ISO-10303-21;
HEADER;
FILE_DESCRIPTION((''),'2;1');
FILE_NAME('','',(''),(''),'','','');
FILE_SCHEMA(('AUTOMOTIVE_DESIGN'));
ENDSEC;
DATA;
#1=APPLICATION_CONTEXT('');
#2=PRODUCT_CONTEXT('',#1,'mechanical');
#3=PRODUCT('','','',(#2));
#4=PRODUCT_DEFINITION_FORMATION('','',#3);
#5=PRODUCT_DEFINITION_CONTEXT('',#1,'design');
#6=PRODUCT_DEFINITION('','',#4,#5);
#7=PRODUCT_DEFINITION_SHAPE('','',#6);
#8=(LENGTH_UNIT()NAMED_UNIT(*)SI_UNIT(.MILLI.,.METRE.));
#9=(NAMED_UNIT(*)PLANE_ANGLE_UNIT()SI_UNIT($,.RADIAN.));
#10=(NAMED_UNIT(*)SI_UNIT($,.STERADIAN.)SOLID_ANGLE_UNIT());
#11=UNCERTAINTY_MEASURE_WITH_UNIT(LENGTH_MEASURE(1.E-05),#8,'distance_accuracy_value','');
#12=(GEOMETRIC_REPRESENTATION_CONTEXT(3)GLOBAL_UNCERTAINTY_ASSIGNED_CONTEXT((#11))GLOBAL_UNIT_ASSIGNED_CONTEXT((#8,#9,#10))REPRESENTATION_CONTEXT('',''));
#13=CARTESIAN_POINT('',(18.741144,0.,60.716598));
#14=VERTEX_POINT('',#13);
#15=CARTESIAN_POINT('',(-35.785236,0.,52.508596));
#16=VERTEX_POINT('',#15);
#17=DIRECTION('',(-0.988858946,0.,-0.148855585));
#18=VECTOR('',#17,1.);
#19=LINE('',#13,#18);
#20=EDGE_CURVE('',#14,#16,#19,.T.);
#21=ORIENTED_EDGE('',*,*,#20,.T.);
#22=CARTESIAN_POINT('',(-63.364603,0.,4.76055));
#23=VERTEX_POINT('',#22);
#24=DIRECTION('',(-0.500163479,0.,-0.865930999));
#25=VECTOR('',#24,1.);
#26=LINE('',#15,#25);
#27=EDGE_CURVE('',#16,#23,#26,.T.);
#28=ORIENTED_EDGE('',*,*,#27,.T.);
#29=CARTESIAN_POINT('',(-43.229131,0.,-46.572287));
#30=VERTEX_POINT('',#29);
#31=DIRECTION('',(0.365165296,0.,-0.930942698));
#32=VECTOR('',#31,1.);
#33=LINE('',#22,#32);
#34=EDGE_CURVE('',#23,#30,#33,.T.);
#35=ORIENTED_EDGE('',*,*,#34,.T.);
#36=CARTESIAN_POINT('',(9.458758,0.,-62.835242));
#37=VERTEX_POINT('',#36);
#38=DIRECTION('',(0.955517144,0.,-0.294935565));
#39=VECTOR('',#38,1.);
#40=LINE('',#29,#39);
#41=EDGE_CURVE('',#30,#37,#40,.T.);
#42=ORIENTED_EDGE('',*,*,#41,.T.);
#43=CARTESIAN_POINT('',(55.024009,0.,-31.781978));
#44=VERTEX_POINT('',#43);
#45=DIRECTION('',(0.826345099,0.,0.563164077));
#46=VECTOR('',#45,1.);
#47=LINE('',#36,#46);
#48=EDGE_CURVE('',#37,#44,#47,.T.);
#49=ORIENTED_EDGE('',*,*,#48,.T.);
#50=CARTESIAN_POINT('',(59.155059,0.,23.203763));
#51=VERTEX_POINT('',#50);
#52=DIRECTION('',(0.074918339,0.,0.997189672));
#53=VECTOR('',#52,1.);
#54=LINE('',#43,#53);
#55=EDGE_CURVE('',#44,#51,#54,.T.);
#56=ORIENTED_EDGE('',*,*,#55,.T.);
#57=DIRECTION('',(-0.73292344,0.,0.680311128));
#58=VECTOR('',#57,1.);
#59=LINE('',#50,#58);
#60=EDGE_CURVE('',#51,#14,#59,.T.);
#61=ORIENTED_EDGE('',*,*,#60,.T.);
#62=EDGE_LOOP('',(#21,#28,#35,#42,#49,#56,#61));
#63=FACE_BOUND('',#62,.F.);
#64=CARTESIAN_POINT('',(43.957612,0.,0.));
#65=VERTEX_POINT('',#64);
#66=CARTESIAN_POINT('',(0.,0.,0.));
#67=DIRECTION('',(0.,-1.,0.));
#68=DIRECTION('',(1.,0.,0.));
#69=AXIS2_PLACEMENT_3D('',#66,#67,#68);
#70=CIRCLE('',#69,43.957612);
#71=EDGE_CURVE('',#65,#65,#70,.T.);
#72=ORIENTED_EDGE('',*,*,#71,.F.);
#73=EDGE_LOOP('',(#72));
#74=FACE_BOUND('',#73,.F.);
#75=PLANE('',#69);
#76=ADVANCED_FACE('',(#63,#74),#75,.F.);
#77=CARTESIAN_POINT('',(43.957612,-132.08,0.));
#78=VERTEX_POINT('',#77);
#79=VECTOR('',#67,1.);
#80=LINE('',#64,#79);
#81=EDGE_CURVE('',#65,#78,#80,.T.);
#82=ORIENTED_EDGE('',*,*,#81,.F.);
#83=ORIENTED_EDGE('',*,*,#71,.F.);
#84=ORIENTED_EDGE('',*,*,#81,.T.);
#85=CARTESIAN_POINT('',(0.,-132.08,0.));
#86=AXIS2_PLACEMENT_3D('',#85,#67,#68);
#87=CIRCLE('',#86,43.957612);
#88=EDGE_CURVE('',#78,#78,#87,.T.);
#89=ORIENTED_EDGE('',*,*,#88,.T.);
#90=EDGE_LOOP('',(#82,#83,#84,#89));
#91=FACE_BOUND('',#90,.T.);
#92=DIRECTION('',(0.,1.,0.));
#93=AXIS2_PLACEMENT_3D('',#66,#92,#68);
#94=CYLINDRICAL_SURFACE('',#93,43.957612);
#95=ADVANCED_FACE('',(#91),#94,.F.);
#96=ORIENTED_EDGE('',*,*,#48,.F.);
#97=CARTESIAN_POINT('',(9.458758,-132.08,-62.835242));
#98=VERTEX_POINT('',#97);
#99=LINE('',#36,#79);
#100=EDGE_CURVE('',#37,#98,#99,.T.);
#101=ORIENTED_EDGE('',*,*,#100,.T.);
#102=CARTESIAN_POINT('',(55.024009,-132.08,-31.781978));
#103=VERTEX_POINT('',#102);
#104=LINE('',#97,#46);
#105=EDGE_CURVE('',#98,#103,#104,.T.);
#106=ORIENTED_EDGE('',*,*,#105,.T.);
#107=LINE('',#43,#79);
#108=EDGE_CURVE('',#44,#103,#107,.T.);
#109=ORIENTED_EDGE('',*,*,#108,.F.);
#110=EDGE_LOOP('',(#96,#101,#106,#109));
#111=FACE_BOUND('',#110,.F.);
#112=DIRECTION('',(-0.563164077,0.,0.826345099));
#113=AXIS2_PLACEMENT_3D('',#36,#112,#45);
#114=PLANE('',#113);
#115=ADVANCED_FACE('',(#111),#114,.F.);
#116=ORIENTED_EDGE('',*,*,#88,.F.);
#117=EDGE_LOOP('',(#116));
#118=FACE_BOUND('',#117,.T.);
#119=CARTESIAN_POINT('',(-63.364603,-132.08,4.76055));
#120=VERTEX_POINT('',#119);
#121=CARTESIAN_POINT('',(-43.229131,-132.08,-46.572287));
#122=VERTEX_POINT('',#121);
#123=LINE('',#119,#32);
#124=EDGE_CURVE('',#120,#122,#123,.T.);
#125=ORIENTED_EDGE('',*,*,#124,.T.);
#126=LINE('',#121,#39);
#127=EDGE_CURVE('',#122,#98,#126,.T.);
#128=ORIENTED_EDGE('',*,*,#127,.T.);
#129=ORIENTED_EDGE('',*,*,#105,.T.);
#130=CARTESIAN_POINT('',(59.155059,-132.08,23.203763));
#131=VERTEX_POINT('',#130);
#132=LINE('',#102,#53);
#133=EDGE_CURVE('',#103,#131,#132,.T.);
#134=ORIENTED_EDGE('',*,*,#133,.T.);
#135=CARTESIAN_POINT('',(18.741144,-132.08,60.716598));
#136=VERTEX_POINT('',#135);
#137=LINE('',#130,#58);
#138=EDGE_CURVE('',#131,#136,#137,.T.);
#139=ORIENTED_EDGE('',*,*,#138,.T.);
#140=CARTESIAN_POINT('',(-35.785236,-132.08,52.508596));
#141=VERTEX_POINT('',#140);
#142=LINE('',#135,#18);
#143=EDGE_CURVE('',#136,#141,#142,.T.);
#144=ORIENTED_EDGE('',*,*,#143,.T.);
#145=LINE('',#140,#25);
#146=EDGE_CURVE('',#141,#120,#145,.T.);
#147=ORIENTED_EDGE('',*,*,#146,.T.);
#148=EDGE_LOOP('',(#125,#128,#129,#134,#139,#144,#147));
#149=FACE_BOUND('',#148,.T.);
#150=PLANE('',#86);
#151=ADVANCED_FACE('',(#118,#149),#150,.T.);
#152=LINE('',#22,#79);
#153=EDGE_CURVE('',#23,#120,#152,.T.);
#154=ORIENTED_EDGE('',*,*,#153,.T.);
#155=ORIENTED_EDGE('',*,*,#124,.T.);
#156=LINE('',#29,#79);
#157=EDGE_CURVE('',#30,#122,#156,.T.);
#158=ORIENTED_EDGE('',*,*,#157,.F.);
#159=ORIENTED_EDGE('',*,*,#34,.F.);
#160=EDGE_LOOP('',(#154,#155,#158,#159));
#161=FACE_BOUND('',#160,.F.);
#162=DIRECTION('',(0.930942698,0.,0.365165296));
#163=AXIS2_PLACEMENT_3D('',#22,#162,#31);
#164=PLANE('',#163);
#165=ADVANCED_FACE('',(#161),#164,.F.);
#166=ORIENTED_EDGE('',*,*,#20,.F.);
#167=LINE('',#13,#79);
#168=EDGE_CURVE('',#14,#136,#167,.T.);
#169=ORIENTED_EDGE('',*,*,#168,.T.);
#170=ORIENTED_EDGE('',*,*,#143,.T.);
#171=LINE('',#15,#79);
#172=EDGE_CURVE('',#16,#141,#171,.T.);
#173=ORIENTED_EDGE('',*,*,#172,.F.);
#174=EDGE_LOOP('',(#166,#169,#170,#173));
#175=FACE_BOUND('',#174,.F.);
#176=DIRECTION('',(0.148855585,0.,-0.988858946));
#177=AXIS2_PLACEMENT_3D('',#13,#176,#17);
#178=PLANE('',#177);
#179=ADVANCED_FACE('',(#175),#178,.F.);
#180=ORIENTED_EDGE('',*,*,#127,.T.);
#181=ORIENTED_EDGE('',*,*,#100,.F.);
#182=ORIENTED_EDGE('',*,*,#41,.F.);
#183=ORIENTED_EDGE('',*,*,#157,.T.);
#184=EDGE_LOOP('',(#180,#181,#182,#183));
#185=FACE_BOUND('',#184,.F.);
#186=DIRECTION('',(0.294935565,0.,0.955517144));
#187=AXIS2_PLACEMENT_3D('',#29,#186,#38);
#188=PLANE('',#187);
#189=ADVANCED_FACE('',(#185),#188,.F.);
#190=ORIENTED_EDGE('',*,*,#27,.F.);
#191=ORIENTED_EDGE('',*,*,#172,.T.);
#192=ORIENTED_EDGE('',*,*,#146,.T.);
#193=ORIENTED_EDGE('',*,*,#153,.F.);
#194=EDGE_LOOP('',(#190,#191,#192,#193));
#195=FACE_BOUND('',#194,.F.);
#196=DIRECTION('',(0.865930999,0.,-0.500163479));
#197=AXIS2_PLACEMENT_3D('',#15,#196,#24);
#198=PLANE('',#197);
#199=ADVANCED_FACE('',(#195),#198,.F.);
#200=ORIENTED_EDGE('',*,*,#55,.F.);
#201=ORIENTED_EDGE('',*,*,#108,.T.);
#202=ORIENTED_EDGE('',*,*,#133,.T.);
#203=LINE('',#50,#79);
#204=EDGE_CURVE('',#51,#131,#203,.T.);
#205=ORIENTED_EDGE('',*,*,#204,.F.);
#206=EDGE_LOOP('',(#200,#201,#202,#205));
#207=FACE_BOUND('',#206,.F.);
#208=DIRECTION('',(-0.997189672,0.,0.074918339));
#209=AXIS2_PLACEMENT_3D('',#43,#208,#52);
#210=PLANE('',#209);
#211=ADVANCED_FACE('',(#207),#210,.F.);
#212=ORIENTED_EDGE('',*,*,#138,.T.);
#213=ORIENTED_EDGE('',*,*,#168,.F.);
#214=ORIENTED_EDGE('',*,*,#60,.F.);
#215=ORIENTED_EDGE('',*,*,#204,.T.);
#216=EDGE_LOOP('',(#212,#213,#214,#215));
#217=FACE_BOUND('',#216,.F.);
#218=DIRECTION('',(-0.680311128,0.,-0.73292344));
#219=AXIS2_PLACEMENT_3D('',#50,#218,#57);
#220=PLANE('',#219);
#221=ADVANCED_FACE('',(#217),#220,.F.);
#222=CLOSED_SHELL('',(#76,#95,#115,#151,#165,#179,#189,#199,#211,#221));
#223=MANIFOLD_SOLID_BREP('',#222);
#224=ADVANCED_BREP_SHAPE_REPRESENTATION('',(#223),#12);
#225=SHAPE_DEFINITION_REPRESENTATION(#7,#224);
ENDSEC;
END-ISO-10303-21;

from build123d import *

# Parameters (mm, degrees)
F0_R     = 43.957612
F1_DEPTH = 132.08


with BuildPart() as f1:
    # F0 (on Front) → F1 (new body)
    with BuildSketch(Plane.XZ):
        Polygon((-35.785236, 52.508596), (-63.364603, 4.76055), (-43.229131, -46.572287), (9.458758, -62.835242), (55.024009, -31.781978), (59.155059, 23.203763), (18.741144, 60.716598), align=None)
        Circle(F0_R, mode=Mode.SUBTRACT)
    extrude(amount=F1_DEPTH)


solid = f1.part
